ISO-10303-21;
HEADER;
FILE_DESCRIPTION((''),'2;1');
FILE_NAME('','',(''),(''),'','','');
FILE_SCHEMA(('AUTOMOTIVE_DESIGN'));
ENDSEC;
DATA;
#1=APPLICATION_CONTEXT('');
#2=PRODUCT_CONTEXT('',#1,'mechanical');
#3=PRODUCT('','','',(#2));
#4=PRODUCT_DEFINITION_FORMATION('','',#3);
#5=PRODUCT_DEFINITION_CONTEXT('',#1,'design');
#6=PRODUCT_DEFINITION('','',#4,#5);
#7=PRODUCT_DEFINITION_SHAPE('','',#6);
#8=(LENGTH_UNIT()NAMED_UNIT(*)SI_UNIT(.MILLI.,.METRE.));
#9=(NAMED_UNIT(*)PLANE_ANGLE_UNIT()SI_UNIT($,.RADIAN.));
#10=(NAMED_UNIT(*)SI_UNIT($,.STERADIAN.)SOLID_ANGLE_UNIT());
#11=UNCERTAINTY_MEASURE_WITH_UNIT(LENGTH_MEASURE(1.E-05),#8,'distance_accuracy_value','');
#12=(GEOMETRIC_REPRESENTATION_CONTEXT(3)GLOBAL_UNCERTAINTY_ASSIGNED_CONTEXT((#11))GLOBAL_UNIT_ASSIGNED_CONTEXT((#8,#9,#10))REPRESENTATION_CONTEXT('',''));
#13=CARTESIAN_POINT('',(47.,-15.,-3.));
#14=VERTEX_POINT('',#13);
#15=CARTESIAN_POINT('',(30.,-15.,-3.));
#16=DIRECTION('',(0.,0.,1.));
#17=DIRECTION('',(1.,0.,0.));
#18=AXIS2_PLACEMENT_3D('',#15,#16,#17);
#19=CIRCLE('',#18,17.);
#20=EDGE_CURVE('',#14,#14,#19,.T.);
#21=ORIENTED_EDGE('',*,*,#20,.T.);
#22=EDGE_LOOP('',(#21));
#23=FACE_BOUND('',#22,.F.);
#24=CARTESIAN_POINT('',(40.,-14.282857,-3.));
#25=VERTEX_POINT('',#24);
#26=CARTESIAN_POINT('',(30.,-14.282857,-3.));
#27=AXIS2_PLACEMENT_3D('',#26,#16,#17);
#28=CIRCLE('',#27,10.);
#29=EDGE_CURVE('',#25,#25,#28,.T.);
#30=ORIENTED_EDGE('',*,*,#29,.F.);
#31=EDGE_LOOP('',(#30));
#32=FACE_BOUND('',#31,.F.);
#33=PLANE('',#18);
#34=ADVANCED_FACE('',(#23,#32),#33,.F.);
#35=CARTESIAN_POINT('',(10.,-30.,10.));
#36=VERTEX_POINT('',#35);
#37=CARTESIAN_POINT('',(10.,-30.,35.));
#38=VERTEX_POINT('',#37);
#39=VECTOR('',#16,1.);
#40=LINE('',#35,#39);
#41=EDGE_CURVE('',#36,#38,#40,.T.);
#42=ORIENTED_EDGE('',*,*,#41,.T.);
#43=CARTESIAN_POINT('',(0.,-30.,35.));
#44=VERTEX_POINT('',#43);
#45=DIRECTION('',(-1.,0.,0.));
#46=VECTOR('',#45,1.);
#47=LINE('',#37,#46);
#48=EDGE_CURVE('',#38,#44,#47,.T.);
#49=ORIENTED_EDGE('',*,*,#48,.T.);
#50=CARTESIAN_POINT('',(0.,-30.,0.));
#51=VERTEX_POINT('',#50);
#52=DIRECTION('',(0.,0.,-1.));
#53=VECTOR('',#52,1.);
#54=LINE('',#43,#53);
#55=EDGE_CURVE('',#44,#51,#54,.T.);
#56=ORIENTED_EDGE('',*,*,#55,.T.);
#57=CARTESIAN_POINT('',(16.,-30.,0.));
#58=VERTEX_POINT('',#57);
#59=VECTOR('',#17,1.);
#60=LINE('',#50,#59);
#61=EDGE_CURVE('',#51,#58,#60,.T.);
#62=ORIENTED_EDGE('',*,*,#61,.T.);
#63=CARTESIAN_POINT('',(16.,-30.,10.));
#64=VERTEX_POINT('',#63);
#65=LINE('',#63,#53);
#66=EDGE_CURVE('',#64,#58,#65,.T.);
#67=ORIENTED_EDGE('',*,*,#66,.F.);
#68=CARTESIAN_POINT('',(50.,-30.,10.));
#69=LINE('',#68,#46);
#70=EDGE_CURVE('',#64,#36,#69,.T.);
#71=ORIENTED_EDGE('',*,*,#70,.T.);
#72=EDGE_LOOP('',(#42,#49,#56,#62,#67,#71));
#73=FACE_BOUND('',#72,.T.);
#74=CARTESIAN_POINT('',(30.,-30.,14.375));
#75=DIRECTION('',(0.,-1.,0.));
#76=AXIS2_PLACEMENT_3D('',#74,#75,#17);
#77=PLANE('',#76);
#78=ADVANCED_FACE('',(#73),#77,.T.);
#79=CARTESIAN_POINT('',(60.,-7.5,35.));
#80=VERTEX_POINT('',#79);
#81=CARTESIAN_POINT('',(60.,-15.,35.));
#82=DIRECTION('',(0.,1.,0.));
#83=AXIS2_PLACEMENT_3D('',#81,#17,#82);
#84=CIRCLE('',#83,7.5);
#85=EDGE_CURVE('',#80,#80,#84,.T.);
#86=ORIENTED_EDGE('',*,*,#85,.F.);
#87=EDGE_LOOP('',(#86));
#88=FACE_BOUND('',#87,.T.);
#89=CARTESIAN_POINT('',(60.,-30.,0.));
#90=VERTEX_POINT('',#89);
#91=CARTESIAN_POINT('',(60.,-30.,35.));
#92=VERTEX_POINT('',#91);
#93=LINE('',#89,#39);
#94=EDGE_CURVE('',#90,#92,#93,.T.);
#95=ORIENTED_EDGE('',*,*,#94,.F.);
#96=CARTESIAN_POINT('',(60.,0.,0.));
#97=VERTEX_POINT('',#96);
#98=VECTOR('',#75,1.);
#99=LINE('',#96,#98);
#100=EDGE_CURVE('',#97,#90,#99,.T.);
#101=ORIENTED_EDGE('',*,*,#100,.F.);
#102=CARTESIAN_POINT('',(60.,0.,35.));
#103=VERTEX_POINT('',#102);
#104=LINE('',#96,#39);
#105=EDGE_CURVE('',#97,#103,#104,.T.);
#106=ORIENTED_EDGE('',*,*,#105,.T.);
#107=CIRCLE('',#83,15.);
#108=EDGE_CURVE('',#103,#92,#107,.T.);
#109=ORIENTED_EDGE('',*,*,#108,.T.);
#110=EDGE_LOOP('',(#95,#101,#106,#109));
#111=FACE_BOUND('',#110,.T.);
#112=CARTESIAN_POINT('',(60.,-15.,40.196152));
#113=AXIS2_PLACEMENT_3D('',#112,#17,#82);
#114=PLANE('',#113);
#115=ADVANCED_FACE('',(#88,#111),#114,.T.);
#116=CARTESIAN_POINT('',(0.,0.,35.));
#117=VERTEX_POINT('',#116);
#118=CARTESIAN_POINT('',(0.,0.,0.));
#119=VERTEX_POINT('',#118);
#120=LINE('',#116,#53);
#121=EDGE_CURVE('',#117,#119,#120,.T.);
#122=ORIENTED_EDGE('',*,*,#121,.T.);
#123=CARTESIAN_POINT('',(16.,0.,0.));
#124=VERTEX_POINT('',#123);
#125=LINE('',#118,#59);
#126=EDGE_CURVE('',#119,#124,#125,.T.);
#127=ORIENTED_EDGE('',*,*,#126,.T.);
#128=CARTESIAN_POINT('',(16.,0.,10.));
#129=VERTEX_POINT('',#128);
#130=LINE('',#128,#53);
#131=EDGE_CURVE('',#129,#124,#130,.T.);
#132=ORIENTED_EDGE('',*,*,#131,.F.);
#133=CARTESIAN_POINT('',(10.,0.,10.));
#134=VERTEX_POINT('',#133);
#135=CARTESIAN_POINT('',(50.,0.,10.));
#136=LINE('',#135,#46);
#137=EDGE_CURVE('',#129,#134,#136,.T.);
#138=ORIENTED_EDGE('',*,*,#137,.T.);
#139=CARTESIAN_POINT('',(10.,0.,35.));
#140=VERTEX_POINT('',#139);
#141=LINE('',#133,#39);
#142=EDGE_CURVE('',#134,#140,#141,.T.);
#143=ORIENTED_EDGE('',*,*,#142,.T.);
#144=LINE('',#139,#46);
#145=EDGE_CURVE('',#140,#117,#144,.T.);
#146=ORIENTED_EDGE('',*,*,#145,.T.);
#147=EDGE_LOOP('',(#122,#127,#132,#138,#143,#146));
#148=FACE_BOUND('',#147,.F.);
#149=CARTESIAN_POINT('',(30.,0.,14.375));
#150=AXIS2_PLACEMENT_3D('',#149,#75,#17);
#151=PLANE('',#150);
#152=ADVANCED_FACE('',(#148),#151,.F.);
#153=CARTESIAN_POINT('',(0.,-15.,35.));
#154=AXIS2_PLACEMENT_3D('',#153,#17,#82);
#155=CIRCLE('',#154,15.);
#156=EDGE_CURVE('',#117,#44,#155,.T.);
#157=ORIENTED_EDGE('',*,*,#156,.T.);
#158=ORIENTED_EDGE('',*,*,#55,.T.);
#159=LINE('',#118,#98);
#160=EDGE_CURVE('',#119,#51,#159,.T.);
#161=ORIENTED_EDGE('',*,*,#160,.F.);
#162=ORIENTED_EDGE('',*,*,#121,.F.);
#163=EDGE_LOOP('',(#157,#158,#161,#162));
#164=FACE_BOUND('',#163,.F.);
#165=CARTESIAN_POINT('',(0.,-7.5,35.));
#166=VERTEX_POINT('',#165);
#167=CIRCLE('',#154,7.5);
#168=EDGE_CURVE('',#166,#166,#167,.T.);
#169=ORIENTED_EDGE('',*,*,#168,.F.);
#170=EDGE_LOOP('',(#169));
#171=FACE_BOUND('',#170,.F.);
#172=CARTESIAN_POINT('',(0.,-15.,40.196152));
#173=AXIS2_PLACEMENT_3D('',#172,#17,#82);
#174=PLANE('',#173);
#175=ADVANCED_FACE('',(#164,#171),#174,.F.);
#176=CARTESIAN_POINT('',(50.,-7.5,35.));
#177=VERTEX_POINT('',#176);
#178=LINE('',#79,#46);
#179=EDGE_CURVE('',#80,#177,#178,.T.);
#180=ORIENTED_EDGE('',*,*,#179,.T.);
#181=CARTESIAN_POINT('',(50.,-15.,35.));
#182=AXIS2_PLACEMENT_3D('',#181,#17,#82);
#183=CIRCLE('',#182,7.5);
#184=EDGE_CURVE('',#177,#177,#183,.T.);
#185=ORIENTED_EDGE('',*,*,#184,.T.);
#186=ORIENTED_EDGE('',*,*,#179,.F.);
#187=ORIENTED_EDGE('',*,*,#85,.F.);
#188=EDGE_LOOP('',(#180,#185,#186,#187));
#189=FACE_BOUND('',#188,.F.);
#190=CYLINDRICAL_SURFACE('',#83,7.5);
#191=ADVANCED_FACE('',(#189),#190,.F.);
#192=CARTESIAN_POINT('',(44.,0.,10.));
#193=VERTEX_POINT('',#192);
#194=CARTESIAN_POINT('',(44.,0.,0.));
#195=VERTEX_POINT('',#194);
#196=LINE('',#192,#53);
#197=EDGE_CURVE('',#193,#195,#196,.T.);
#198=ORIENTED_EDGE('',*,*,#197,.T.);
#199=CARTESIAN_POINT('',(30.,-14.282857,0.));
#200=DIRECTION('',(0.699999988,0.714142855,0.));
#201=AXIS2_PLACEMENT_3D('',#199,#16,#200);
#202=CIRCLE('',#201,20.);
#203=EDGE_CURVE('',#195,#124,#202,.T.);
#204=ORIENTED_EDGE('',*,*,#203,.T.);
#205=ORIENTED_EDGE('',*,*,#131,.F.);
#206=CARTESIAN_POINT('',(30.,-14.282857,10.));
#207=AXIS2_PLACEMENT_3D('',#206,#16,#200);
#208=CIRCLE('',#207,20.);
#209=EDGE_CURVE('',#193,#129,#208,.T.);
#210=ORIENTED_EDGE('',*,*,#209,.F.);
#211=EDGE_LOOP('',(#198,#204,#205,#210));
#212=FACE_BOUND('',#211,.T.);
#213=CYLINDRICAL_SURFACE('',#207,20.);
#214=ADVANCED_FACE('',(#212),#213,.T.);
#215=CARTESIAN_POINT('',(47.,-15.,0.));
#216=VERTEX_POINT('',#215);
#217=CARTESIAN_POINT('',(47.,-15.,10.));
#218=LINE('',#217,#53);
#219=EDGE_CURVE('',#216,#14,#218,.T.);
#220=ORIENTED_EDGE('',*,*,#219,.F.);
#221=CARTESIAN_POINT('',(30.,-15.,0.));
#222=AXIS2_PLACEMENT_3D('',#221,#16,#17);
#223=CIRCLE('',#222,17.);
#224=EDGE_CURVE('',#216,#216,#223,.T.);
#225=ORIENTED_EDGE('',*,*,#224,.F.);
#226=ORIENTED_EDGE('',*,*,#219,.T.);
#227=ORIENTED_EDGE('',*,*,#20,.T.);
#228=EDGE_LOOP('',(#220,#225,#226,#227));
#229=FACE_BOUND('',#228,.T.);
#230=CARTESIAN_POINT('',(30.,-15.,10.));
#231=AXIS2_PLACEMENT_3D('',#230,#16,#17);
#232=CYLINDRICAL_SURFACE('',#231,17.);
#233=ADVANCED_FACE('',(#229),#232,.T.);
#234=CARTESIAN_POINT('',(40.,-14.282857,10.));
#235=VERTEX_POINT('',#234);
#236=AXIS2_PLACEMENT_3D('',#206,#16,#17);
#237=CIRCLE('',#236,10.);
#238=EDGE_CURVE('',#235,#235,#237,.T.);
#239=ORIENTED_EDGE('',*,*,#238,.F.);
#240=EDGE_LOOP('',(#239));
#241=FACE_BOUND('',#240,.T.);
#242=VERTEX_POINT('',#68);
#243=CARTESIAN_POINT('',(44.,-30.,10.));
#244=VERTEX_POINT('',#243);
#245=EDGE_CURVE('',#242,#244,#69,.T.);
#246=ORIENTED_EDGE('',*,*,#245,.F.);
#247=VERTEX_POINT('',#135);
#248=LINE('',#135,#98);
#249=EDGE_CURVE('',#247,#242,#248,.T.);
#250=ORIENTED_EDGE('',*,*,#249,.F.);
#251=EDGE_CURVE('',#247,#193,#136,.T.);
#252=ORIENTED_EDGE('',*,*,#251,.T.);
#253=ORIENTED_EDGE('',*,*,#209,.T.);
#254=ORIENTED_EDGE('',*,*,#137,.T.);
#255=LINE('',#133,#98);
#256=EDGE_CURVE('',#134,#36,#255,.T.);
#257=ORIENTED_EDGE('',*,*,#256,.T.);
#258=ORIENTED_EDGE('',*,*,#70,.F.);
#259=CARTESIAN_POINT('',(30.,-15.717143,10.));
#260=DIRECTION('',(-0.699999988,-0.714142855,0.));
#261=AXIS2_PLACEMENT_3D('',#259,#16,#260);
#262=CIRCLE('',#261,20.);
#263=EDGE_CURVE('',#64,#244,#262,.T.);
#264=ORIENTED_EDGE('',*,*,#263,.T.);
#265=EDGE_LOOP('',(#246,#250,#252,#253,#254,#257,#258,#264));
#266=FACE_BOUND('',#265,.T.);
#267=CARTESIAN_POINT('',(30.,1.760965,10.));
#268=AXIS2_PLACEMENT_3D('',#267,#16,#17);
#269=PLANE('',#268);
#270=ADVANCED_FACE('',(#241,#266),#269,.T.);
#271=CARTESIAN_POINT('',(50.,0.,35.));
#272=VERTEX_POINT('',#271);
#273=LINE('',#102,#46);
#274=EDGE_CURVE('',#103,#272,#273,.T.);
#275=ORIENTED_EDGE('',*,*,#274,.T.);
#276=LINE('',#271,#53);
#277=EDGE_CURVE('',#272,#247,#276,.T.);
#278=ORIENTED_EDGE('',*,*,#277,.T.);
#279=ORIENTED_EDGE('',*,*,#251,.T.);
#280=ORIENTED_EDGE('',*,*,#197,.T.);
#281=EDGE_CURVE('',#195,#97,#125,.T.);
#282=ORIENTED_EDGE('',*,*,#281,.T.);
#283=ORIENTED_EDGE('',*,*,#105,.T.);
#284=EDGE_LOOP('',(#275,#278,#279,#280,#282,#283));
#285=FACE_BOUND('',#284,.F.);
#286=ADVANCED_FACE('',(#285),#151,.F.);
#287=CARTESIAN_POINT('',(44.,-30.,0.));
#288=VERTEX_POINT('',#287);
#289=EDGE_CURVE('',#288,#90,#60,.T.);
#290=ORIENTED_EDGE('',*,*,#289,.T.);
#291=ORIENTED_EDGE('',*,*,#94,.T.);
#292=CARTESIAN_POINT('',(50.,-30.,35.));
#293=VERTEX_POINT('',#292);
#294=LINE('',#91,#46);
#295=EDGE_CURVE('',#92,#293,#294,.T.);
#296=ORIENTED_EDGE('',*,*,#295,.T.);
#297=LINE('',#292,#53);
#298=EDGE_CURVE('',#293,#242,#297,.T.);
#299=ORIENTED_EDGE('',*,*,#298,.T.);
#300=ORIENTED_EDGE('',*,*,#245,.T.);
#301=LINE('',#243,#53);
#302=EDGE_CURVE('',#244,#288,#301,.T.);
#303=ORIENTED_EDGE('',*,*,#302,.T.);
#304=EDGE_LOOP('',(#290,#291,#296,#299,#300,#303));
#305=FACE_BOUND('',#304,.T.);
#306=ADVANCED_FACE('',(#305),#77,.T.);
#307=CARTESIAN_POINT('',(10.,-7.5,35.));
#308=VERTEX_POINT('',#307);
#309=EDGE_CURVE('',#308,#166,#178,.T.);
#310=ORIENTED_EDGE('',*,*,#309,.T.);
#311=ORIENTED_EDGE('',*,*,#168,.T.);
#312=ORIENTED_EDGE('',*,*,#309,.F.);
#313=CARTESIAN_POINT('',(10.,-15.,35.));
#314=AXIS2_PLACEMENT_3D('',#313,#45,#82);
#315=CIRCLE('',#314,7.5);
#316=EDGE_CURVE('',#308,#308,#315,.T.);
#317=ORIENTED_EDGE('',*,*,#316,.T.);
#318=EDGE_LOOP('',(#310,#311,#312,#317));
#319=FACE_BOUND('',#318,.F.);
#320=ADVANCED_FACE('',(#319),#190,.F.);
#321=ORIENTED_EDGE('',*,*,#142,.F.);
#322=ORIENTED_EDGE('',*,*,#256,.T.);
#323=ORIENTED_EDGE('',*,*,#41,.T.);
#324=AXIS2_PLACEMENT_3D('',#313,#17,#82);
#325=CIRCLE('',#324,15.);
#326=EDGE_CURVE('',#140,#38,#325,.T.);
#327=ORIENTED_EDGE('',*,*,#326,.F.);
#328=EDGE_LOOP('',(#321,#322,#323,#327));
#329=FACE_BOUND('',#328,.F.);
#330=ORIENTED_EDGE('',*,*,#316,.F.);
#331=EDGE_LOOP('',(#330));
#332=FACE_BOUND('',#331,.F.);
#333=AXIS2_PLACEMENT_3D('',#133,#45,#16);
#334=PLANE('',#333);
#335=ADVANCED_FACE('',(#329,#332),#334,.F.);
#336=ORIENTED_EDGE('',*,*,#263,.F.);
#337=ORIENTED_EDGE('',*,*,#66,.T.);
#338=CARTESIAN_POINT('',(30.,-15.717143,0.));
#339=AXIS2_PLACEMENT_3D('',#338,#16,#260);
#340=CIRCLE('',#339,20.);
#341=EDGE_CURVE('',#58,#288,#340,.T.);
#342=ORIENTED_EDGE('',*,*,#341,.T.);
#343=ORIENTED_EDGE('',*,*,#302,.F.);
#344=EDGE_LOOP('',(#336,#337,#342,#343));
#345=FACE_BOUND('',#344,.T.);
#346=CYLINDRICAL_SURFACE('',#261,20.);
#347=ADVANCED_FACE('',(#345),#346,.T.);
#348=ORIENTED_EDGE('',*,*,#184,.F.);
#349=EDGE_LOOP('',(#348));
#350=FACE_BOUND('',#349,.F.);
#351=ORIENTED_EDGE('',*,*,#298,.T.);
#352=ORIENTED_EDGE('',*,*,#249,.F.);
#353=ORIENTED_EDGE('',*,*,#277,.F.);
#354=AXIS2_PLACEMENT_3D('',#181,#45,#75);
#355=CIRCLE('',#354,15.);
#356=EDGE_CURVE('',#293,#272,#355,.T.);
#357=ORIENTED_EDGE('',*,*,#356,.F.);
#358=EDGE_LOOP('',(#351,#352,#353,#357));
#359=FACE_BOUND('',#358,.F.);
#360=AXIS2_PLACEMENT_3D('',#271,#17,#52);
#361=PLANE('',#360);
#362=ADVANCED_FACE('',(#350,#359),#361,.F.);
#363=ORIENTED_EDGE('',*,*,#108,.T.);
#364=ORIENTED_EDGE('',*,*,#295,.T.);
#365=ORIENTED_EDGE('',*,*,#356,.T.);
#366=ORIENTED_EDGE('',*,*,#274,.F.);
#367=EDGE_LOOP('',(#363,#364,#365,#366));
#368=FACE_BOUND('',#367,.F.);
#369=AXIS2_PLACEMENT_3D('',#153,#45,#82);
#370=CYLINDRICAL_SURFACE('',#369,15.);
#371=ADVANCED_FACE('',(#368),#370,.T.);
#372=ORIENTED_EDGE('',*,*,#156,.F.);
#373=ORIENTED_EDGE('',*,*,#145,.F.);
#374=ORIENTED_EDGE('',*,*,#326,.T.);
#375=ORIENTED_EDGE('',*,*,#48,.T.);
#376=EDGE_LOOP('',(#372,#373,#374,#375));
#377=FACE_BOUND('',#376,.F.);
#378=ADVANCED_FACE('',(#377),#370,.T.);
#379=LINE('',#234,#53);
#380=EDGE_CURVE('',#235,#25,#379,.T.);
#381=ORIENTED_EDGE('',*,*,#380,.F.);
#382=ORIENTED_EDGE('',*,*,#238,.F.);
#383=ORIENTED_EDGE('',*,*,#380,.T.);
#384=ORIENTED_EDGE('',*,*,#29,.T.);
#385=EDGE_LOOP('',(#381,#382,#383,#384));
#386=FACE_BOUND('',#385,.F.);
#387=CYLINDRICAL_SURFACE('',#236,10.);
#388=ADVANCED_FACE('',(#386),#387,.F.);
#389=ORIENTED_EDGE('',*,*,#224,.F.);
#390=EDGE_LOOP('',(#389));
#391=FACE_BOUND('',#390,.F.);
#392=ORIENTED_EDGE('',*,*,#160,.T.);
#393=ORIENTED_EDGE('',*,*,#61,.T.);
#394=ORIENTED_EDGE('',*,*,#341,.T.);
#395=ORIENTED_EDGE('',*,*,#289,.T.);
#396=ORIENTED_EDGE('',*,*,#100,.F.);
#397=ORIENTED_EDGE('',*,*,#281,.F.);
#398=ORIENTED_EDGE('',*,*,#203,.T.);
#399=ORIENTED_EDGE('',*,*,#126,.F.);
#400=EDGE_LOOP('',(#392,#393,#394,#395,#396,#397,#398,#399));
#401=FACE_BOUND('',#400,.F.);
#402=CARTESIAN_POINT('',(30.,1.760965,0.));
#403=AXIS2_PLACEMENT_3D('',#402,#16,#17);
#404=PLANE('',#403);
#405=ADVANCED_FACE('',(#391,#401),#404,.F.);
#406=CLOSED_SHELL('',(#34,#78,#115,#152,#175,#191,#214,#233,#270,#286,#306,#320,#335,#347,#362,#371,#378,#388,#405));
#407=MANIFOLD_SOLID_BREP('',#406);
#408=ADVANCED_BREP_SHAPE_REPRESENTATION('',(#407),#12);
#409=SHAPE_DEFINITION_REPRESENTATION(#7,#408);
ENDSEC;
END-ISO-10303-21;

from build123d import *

# Parameters (mm, degrees)
F1_DEPTH  = 30
F3_DEPTH  = 60
F4_R      = 7.5
F5_DEPTH  = 60.001
F6_W      = 40
F6_H      = 40
F7_DEPTH  = 30.001
F8_R      = 17
F9_DEPTH  = 13
F11_DEPTH = 10
F12_R     = 10
F13_DEPTH = 13.001


with BuildPart() as f1:
    # F0 (on Front) → F1 (new body)
    with BuildSketch(Plane.XZ):
        Polygon((0, 35), (0, 0), (60, 0), (60, 35), (50, 35), (50, 10), (10, 10), (10, 35), align=None)
    extrude(amount=F1_DEPTH)

    # F2 (on Right) → F3 (join)
    with BuildSketch(Plane.YZ):
        with BuildLine():
            Line((-30, 35), (0, 35))
            ThreePointArc((0, 35), (-15, 50), (-30, 35))
        make_face()
    extrude(amount=F3_DEPTH)

    # F4 (on face) → F5 (cut, through all)
    with BuildSketch(Plane.YZ.offset(60)):
        with Locations((-15, 35)):
            Circle(F4_R)
    extrude(amount=-F5_DEPTH, mode=Mode.SUBTRACT)

    # F6 (on Front) → F7 (cut, through all)
    with BuildSketch(Plane.XZ):
        with Locations((30, 30)):
            Rectangle(F6_W, F6_H)
    extrude(amount=F7_DEPTH, mode=Mode.SUBTRACT)

    # F8 (on face) → F9 (join)
    with BuildSketch(Plane.XY.offset(10)):
        with Locations((30, -15)):
            Circle(F8_R)
    extrude(amount=-F9_DEPTH)

    # F10 (on face) → F11 (join)
    with BuildSketch(Plane.XY.offset(10)):
        with BuildLine():
            Line((16, 0), (44, 0))
            ThreePointArc((44, 0), (30, 5.717143), (16, 0))
        make_face()
        with BuildLine():
            Line((44, -30), (16, -30))
            ThreePointArc((16, -30), (30, -35.717143), (44, -30))
        make_face()
    extrude(amount=-F11_DEPTH)

    # F12 (on face) → F13 (cut, through all)
    with BuildSketch(Plane.XY.offset(10)):
        with Locations((30, -14.282857)):
            Circle(F12_R)
    extrude(amount=-F13_DEPTH, mode=Mode.SUBTRACT)


solid = f1.part
